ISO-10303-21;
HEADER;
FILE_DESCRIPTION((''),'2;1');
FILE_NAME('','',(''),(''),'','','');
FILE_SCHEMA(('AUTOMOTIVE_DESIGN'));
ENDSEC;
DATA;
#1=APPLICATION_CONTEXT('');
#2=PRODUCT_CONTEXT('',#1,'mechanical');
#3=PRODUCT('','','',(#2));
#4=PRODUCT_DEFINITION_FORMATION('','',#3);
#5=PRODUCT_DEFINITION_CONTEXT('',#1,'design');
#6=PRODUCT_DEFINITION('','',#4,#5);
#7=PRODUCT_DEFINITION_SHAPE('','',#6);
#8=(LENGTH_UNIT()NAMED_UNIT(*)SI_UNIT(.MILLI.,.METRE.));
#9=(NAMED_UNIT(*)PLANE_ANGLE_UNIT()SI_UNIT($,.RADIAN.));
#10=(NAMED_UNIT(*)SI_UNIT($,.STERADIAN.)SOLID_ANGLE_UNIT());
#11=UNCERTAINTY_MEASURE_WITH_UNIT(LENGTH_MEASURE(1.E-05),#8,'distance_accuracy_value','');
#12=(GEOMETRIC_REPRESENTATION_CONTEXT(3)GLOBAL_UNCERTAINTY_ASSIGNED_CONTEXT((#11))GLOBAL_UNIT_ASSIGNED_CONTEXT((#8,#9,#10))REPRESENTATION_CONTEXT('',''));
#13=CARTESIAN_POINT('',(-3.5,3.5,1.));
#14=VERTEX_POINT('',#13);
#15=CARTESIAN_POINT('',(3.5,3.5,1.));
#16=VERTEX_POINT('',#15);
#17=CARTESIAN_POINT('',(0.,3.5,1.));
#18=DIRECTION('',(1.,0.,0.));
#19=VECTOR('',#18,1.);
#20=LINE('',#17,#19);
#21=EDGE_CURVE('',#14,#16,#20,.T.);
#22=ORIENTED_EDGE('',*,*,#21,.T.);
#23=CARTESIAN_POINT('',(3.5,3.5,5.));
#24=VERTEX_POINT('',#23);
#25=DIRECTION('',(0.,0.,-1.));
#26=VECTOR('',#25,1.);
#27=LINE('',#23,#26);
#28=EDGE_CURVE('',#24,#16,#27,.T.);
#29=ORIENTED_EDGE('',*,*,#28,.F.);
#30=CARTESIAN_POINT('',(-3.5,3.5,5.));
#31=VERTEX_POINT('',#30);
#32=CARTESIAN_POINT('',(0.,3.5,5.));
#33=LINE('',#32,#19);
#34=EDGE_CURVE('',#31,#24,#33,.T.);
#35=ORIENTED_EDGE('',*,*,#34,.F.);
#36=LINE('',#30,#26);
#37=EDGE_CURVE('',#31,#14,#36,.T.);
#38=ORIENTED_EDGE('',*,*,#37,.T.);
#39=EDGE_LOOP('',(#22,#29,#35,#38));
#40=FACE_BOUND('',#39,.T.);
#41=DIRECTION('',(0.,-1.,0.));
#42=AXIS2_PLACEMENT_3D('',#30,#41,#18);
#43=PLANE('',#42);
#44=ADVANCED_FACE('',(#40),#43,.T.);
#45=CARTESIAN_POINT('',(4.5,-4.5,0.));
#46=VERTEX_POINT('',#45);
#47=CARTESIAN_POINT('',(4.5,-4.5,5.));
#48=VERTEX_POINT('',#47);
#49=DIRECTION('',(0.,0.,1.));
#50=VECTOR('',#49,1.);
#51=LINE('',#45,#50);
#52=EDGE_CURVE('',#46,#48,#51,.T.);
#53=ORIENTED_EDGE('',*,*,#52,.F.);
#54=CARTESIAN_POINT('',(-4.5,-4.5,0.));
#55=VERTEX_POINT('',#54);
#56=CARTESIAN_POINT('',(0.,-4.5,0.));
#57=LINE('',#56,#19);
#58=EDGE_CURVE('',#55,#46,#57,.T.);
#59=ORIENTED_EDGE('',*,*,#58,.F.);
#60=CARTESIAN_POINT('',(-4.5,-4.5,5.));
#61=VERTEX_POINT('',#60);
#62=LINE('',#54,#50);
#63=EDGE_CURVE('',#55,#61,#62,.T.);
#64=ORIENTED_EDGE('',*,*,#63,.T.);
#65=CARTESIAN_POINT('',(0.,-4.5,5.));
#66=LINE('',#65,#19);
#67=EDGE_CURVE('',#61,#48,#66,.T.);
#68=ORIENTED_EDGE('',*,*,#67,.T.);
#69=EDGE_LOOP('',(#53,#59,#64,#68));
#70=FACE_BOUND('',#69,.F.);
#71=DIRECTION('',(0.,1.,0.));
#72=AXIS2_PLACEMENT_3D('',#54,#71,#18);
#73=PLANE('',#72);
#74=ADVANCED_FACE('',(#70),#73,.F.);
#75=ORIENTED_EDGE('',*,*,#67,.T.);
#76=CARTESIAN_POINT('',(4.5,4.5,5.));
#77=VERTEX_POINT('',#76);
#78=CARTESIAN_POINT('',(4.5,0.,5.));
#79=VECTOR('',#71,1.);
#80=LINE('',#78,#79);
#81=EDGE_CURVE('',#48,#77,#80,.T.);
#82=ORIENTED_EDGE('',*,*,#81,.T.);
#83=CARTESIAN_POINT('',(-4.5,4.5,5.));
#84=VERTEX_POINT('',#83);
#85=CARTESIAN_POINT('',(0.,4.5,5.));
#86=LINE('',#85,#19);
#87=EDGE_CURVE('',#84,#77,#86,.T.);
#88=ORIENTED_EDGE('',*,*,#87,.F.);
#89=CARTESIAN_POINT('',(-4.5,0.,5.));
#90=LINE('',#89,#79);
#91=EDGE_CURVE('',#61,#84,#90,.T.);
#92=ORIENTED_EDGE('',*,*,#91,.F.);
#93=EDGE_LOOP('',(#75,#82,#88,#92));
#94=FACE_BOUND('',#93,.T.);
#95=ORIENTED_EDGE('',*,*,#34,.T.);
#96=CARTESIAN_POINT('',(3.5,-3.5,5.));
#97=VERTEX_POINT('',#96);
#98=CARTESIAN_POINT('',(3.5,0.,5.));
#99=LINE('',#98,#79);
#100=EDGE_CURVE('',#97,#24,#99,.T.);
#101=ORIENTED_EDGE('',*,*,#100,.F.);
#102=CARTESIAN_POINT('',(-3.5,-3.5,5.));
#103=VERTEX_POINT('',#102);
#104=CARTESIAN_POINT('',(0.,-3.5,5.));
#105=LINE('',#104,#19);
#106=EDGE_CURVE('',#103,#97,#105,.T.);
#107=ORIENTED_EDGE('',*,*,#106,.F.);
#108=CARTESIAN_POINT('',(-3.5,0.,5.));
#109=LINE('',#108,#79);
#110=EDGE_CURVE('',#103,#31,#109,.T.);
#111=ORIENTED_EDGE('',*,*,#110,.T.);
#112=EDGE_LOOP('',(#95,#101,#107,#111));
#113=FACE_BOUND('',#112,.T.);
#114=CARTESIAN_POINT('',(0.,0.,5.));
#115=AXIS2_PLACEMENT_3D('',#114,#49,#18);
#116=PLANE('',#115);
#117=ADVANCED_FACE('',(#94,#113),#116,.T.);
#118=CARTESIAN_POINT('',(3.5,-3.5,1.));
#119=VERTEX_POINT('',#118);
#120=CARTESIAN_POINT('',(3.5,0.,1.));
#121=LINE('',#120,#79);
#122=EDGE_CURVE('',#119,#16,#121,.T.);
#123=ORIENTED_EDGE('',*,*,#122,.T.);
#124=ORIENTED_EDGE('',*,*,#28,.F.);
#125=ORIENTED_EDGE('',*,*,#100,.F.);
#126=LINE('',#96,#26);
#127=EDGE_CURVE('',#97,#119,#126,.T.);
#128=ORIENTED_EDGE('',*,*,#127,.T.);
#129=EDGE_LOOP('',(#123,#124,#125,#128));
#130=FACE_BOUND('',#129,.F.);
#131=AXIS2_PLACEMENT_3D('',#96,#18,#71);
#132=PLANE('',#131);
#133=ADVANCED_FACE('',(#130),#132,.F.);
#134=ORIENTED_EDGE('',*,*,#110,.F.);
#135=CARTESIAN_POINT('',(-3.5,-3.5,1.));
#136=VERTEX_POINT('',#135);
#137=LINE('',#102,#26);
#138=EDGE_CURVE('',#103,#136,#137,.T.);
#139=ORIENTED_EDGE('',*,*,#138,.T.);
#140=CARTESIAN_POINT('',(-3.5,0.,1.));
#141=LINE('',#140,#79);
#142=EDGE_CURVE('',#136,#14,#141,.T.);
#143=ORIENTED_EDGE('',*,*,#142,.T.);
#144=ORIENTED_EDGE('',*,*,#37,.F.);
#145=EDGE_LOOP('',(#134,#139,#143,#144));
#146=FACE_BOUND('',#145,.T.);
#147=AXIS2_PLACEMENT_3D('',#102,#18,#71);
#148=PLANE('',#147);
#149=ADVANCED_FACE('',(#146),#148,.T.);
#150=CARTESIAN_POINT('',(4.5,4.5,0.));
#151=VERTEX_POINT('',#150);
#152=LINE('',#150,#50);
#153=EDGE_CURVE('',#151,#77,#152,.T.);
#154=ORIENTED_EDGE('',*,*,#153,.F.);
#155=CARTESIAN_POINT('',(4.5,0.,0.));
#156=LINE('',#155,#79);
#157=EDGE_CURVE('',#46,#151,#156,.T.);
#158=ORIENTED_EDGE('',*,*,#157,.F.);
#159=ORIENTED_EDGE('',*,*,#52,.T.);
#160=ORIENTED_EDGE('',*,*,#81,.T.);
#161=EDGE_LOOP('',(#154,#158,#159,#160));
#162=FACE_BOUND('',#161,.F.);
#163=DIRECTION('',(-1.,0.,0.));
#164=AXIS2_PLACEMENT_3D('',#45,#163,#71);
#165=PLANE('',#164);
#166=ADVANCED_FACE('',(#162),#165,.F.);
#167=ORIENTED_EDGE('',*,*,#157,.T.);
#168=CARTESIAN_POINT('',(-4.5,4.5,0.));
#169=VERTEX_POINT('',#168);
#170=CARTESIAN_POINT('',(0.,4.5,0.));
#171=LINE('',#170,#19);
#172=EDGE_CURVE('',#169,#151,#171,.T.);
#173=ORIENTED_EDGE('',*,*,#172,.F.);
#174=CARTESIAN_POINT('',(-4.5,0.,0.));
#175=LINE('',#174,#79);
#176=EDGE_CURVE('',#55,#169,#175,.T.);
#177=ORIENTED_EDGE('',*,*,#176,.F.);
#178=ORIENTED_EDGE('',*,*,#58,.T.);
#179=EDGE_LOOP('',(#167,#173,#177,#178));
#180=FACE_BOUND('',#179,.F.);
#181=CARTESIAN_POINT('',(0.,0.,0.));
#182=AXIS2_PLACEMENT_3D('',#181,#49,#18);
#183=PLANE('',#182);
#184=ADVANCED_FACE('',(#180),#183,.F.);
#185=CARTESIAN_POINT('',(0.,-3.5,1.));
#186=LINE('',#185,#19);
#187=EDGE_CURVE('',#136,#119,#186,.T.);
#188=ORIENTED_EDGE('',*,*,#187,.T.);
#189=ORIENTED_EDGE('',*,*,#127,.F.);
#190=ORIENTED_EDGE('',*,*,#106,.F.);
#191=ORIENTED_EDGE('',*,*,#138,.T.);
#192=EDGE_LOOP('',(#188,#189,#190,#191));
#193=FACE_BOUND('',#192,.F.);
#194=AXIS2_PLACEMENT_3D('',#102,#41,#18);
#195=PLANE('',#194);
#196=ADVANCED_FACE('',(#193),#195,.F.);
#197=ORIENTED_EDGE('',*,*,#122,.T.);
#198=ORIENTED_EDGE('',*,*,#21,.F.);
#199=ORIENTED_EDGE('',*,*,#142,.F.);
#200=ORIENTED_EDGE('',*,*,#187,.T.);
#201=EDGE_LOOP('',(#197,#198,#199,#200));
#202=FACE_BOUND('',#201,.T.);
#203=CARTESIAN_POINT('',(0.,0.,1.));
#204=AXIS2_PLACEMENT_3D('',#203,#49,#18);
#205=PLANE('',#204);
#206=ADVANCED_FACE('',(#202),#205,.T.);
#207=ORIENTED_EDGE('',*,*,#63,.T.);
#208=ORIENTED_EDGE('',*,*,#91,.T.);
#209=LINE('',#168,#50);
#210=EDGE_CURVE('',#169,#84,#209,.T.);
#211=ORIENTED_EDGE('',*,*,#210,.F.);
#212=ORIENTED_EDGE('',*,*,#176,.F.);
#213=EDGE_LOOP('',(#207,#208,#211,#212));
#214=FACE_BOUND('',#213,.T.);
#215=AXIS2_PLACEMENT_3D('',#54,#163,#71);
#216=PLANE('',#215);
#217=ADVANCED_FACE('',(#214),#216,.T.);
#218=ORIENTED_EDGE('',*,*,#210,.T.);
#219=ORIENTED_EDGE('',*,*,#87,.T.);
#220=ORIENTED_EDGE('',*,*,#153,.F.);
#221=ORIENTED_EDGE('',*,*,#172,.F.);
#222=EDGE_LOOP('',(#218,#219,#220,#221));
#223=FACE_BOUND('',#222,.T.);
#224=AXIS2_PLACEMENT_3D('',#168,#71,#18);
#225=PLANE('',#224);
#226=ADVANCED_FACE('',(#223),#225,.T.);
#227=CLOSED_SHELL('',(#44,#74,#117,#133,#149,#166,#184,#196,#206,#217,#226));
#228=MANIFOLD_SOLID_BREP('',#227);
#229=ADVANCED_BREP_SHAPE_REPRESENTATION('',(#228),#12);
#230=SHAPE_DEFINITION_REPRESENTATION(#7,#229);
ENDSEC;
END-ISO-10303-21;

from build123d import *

# Parameters (mm, degrees)
SKETCH_W     = 9
SKETCH_H     = 9
PAD_DEPTH    = 5
SKETCH001_W  = 7
SKETCH001_H  = 7
POCKET_DEPTH = 4


with BuildPart() as part:
    # Sketch → Pad (new body)
    with BuildSketch(Plane.XY):
        Rectangle(SKETCH_W, SKETCH_H)
    extrude(amount=PAD_DEPTH)

    # Sketch001 (on DatumPlane) → Pocket (cut)
    with BuildSketch(Plane.XY.offset(5)):
        Rectangle(SKETCH001_W, SKETCH001_H)
    extrude(amount=-POCKET_DEPTH, mode=Mode.SUBTRACT)


solid = part.part
